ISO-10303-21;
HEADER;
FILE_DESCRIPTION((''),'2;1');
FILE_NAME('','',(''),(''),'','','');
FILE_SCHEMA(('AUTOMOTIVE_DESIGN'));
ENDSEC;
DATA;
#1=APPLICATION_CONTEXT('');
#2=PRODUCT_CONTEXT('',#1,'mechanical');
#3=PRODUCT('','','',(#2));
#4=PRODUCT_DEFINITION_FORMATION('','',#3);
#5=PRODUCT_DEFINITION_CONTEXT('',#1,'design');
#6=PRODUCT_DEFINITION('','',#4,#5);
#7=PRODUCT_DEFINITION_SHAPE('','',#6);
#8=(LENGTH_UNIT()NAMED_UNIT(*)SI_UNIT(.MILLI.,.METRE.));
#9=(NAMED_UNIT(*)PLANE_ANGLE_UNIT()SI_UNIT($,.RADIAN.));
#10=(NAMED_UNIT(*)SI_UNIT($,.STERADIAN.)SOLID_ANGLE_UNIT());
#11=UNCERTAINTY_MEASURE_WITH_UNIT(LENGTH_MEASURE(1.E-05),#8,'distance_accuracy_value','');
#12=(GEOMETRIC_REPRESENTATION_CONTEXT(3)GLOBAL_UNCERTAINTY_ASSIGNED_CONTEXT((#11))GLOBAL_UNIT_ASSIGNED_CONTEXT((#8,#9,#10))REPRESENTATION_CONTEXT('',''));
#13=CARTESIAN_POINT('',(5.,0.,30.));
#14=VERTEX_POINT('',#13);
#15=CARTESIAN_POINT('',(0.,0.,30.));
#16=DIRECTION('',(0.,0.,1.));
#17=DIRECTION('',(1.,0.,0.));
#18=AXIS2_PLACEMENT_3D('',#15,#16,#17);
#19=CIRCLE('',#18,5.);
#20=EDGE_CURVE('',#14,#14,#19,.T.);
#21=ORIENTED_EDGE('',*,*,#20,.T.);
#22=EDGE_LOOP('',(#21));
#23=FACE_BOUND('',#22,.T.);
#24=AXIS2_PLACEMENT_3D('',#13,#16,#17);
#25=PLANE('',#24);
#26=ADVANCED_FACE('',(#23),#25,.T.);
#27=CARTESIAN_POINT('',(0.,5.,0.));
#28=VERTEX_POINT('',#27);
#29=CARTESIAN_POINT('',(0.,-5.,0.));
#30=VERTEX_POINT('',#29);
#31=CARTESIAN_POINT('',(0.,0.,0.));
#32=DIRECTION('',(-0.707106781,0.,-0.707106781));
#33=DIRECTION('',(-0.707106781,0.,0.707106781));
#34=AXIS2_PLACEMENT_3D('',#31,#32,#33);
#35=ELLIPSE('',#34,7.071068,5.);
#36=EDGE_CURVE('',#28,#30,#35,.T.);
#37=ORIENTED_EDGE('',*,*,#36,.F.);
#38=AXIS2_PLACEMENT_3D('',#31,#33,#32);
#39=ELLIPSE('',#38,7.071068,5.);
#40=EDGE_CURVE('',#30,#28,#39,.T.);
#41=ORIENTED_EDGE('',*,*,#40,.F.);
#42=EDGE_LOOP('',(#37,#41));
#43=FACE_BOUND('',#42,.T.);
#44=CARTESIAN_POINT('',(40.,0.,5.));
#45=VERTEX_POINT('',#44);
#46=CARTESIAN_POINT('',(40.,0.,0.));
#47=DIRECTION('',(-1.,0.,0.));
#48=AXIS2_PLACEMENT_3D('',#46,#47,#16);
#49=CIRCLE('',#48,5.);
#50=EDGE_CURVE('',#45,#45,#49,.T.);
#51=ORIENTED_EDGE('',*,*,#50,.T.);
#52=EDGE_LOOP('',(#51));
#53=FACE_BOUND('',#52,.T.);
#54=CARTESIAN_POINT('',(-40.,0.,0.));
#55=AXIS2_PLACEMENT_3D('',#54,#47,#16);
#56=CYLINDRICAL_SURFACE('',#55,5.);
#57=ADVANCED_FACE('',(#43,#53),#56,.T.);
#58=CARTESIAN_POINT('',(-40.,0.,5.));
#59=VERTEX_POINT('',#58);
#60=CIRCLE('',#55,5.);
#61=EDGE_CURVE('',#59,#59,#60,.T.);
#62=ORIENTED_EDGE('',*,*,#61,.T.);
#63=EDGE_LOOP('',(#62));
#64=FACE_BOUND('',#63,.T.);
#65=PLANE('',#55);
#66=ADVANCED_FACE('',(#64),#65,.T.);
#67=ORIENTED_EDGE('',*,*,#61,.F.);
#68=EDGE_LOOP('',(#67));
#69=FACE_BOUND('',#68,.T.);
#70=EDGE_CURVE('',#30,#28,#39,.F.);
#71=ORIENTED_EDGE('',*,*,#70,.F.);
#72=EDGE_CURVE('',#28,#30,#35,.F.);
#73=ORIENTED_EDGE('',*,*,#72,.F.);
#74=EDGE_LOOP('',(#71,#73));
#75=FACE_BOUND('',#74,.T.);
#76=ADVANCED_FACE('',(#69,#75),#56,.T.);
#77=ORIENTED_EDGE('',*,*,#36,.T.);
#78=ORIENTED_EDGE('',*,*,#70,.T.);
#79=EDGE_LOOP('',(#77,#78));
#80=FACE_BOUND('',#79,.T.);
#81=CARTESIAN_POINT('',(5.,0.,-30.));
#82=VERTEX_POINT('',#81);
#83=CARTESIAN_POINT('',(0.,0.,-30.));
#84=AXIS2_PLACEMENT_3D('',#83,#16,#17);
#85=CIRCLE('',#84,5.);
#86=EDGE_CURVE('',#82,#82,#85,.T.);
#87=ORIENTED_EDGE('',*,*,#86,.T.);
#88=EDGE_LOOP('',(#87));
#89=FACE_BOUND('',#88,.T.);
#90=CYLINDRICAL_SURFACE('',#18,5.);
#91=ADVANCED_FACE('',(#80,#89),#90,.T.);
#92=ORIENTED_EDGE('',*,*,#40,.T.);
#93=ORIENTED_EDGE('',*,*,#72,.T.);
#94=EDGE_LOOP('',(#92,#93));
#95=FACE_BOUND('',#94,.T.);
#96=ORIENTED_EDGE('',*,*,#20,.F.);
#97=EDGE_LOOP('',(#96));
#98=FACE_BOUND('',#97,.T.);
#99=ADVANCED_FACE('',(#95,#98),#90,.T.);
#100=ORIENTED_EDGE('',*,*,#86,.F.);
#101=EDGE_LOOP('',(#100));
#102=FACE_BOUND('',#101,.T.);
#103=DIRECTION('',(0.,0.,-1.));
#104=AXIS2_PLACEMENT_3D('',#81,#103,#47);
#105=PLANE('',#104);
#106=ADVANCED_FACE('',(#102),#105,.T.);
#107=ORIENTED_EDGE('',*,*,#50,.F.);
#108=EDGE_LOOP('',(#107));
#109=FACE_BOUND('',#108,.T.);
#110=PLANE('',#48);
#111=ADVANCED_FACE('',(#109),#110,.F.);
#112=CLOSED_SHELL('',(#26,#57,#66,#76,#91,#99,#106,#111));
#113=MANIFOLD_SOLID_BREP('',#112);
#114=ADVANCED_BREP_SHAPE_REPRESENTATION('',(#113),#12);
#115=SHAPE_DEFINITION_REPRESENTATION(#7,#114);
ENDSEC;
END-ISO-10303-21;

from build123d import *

# Parameters (mm, degrees)
SKETCH_1_W = 80
SKETCH_1_H = 5
SKETCH_2_W = 5
SKETCH_2_H = 60


with BuildPart() as part:
    # 草图1 → 旋转1 (revolve)
    with BuildSketch(Plane.XY, mode=Mode.PRIVATE) as revolve_1_sk:
        with Locations((0, 2.5)):
            Rectangle(SKETCH_1_W, SKETCH_1_H)
    revolve(revolve_1_sk.sketch.rotate(Axis((-40, 0, 0), (1, 0, 0)), 90), axis=Axis((-40, 0, 0), (1, 0, 0)))

    # 草图2 → 旋转2 (revolve)
    with BuildSketch(Plane(origin=(0, 0, 0), x_dir=(1, 0, 0), z_dir=(0, 1, 0))):
        with Locations((2.5, 0)):
            Rectangle(SKETCH_2_W, SKETCH_2_H)
    revolve(axis=Axis((0, 0, 30), (0, 0, -1)))


solid = part.part
